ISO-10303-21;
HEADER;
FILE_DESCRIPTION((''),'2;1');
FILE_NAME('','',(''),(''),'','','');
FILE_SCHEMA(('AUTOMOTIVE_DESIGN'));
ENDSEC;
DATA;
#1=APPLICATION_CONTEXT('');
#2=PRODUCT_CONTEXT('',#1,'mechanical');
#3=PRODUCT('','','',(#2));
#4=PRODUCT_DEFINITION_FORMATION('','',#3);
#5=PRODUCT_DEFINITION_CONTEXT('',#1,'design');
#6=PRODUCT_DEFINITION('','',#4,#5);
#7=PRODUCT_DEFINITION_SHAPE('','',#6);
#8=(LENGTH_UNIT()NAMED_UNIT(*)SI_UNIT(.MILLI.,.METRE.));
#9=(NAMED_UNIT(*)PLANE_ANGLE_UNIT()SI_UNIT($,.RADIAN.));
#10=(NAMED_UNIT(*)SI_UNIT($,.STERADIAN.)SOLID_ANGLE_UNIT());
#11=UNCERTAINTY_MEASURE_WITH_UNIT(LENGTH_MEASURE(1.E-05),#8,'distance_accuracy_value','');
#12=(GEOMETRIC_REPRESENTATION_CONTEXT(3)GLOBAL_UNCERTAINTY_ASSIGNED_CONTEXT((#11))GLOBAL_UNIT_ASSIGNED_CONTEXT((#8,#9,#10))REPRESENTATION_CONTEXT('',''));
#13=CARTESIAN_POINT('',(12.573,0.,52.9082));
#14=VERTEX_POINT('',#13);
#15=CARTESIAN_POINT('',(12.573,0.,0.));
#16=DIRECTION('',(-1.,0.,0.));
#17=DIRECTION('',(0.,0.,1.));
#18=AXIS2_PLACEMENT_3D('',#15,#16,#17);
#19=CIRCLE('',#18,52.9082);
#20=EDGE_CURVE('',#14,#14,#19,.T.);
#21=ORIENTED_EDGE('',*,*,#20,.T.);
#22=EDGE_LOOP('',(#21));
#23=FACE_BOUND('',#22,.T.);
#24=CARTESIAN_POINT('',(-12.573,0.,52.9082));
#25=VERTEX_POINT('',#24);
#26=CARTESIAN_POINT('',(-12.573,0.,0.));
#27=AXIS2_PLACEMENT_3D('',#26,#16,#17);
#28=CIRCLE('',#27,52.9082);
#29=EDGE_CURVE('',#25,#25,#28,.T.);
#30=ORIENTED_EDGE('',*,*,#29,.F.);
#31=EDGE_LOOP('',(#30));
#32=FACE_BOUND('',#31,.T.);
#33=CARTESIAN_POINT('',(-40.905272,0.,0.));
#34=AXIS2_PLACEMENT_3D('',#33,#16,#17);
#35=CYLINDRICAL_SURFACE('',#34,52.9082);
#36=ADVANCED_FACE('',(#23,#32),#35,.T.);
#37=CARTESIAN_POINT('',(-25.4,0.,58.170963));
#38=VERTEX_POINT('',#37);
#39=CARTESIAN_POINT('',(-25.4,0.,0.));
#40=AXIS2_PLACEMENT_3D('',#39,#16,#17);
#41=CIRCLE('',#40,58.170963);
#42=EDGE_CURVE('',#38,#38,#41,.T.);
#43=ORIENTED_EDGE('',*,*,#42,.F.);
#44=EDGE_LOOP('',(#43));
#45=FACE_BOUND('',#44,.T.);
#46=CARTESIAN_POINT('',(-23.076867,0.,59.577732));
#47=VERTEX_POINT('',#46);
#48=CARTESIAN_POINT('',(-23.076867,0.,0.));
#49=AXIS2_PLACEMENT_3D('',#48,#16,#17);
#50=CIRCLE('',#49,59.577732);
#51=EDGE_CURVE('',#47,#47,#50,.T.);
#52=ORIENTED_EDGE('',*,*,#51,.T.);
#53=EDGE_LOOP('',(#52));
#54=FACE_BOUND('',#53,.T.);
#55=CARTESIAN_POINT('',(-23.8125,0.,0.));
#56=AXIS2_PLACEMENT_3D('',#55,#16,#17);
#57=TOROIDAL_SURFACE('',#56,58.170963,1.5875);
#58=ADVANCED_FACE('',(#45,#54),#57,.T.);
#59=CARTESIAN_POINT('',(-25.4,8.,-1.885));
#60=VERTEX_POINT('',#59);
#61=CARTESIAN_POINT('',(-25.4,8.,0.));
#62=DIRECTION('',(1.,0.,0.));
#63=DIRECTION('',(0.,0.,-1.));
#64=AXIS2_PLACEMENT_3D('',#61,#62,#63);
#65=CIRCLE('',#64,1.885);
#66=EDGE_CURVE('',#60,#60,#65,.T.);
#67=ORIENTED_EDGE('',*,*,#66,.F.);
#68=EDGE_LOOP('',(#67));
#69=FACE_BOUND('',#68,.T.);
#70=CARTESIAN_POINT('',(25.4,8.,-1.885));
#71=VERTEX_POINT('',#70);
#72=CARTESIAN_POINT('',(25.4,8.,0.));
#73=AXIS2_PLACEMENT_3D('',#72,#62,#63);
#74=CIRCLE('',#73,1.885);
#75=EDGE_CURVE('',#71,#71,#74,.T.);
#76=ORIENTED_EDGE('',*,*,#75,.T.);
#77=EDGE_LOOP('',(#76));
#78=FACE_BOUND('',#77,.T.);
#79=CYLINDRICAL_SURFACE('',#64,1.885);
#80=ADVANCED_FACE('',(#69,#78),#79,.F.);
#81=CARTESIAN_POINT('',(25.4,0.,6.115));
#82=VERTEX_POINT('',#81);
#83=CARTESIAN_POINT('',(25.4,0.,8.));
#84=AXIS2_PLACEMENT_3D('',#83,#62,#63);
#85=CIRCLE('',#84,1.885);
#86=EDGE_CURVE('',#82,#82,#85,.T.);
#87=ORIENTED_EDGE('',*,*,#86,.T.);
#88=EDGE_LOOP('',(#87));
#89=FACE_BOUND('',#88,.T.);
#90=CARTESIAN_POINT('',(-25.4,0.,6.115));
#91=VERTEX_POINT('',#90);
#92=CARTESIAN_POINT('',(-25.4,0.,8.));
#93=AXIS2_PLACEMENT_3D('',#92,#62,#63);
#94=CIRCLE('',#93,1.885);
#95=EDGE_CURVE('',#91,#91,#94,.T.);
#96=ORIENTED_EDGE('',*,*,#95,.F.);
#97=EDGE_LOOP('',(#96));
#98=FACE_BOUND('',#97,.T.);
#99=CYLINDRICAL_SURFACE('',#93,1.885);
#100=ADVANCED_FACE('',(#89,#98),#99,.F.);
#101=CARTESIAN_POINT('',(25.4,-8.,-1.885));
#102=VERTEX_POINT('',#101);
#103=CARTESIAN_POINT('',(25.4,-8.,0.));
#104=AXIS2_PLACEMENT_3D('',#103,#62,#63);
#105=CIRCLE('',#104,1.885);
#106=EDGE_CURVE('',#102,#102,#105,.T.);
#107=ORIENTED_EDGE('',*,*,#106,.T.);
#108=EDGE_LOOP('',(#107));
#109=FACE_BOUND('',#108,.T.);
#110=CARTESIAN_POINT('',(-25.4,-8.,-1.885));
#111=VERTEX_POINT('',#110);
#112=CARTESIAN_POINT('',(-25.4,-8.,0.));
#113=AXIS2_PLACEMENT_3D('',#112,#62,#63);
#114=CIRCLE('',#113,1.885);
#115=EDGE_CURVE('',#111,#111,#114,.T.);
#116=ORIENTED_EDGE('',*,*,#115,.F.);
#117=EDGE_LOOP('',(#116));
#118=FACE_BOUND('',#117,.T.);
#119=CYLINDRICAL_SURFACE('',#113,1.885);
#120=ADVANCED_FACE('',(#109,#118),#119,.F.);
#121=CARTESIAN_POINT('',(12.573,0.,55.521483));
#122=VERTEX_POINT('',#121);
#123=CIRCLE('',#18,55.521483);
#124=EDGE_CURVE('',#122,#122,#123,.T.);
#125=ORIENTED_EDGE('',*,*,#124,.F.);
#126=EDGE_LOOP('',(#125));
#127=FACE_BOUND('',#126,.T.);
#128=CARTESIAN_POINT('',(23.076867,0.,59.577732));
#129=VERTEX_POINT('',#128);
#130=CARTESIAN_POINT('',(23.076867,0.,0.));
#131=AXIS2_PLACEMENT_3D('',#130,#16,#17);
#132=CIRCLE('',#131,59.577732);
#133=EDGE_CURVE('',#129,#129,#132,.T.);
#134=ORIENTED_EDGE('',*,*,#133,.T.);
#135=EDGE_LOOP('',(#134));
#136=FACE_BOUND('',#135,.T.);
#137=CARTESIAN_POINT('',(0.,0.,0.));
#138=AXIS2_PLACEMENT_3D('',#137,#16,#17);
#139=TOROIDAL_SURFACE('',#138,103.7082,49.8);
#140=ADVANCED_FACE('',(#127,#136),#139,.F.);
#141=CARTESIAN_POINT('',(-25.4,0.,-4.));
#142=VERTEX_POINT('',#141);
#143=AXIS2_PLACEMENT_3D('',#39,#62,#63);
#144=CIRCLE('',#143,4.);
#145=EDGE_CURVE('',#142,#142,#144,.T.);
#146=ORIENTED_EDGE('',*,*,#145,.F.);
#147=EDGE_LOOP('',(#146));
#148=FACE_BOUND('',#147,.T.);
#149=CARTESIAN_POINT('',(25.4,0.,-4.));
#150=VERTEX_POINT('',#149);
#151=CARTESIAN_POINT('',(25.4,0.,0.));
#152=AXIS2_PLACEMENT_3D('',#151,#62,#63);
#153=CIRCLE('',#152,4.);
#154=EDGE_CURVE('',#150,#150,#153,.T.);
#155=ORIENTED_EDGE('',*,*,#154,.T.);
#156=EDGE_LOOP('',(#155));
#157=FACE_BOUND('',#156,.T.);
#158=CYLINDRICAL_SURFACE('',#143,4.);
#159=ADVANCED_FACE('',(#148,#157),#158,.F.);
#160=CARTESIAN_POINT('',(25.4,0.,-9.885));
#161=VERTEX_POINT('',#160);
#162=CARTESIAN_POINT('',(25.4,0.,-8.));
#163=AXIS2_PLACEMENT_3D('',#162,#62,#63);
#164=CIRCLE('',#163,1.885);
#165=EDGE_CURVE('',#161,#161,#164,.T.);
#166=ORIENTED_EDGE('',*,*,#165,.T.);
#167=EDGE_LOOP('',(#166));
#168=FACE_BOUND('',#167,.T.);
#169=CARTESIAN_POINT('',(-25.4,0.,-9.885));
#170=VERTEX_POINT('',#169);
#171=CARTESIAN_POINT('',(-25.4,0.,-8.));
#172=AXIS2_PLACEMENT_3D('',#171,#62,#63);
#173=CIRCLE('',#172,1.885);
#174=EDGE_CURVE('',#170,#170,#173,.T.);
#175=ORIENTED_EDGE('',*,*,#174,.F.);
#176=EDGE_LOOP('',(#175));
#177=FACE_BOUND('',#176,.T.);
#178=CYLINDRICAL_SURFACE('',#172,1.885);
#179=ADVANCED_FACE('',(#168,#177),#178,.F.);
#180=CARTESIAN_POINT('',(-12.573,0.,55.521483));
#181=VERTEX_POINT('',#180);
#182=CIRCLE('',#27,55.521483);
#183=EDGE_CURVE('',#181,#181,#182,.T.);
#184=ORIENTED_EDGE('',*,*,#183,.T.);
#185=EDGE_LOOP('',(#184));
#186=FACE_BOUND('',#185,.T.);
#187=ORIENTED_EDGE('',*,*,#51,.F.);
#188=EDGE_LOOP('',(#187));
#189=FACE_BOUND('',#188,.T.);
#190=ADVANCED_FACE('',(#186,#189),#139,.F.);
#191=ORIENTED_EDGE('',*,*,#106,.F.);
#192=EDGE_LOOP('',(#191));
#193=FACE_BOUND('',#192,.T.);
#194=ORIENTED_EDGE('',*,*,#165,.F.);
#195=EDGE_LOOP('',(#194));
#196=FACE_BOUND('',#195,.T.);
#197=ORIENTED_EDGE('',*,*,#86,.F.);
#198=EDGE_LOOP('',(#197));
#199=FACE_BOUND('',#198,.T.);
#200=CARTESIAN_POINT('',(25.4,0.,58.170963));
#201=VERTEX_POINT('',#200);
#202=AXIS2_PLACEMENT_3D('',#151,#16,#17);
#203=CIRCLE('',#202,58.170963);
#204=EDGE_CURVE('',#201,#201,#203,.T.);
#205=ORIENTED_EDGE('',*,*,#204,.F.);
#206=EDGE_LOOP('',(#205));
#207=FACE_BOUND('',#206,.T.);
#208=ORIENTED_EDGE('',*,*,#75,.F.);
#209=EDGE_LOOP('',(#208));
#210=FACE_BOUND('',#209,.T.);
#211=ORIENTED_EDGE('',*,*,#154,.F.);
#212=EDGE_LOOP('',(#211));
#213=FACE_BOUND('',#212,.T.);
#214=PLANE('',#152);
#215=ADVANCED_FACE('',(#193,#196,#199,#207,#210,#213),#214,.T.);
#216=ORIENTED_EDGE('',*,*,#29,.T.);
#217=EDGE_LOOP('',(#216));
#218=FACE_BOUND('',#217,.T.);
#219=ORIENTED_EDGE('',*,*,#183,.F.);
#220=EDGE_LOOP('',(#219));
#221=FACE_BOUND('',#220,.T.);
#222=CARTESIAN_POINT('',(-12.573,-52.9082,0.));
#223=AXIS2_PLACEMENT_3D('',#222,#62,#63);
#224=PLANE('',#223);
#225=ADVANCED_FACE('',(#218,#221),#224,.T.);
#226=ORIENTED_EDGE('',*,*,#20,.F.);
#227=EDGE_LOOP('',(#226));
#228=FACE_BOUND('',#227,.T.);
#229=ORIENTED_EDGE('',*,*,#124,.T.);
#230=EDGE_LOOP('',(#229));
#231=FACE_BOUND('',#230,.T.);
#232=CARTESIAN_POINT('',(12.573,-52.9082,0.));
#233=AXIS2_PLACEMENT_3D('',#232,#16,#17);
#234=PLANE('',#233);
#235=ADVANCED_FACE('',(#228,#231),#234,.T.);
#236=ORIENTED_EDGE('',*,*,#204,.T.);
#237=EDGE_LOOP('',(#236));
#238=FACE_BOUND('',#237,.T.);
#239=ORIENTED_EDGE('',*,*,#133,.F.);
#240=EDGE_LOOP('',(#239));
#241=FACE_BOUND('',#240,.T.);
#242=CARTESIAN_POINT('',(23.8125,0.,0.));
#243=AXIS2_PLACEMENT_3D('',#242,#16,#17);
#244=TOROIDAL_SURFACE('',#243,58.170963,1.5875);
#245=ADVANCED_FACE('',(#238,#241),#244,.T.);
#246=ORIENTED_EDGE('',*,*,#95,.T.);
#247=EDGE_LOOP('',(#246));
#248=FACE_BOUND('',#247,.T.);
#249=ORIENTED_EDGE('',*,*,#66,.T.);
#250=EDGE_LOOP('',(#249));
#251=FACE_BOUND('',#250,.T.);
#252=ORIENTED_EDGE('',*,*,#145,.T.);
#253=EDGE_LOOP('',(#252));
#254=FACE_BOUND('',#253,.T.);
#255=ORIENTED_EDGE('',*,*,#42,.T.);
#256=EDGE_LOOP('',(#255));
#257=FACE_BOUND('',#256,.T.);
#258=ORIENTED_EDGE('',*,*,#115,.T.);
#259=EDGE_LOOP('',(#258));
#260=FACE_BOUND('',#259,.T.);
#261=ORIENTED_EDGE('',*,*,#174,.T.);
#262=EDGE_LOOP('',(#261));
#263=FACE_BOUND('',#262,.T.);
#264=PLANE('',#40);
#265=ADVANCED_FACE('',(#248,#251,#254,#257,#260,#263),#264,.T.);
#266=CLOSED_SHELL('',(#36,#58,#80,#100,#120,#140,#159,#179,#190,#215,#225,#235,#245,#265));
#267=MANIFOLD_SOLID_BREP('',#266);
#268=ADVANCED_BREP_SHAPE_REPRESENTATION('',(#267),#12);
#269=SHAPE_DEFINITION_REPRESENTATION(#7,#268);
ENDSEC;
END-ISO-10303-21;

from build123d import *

# Parameters (mm, degrees)
FLOWER_R       = 4
FLOWER_R_2     = 1.885
MOUNTING_DEPTH = 99.604197228


with BuildPart() as part:
    # Wheel Arc → Wheel (revolve)
    with BuildSketch(Plane.XY, mode=Mode.PRIVATE) as wheel_sk:
        with BuildLine():
            Line((-25.4, 0), (25.4, 0))
            Line((25.4, 0), (25.4, -58.170962527))
            ThreePointArc((25.4, -58.170962527), (24.634795193, -59.528897306), (23.076866942, -59.577731965))
            ThreePointArc((23.076866942, -59.577731965), (17.93994263, -57.251785424), (12.573, -55.521483285))
            Line((12.573, -55.521483285), (12.573, -52.9082))
            Line((12.573, -52.9082), (-12.573, -52.9082))
            Line((-12.573, -52.9082), (-12.573, -55.521483285))
            ThreePointArc((-12.573, -55.521483285), (-17.93994263, -57.251785424), (-23.076866942, -59.577731965))
            ThreePointArc((-23.076866942, -59.577731965), (-24.634795193, -59.528897306), (-25.4, -58.170962527))
            Line((-25.4, -58.170962527), (-25.4, 0))
        make_face()
    revolve(wheel_sk.sketch.rotate(Axis((-40.905271883, 0, 0), (1, 0, 0)), 270), axis=Axis((-40.905271883, 0, 0), (1, 0, 0)))

    # Flower → Mounting (cut, through all)
    with BuildSketch(Plane(origin=(25.4, 0, 0), x_dir=(0, 0, -1), z_dir=(1, 0, 0))):
        Circle(FLOWER_R)
        with Locations((0, 8)):
            Circle(FLOWER_R_2)
        with Locations((8, 0)):
            Circle(FLOWER_R_2)
        with Locations((0, -8)):
            Circle(FLOWER_R_2)
        with Locations((-8, 0)):
            Circle(FLOWER_R_2)
    extrude(amount=-MOUNTING_DEPTH, mode=Mode.SUBTRACT)


solid = part.part
